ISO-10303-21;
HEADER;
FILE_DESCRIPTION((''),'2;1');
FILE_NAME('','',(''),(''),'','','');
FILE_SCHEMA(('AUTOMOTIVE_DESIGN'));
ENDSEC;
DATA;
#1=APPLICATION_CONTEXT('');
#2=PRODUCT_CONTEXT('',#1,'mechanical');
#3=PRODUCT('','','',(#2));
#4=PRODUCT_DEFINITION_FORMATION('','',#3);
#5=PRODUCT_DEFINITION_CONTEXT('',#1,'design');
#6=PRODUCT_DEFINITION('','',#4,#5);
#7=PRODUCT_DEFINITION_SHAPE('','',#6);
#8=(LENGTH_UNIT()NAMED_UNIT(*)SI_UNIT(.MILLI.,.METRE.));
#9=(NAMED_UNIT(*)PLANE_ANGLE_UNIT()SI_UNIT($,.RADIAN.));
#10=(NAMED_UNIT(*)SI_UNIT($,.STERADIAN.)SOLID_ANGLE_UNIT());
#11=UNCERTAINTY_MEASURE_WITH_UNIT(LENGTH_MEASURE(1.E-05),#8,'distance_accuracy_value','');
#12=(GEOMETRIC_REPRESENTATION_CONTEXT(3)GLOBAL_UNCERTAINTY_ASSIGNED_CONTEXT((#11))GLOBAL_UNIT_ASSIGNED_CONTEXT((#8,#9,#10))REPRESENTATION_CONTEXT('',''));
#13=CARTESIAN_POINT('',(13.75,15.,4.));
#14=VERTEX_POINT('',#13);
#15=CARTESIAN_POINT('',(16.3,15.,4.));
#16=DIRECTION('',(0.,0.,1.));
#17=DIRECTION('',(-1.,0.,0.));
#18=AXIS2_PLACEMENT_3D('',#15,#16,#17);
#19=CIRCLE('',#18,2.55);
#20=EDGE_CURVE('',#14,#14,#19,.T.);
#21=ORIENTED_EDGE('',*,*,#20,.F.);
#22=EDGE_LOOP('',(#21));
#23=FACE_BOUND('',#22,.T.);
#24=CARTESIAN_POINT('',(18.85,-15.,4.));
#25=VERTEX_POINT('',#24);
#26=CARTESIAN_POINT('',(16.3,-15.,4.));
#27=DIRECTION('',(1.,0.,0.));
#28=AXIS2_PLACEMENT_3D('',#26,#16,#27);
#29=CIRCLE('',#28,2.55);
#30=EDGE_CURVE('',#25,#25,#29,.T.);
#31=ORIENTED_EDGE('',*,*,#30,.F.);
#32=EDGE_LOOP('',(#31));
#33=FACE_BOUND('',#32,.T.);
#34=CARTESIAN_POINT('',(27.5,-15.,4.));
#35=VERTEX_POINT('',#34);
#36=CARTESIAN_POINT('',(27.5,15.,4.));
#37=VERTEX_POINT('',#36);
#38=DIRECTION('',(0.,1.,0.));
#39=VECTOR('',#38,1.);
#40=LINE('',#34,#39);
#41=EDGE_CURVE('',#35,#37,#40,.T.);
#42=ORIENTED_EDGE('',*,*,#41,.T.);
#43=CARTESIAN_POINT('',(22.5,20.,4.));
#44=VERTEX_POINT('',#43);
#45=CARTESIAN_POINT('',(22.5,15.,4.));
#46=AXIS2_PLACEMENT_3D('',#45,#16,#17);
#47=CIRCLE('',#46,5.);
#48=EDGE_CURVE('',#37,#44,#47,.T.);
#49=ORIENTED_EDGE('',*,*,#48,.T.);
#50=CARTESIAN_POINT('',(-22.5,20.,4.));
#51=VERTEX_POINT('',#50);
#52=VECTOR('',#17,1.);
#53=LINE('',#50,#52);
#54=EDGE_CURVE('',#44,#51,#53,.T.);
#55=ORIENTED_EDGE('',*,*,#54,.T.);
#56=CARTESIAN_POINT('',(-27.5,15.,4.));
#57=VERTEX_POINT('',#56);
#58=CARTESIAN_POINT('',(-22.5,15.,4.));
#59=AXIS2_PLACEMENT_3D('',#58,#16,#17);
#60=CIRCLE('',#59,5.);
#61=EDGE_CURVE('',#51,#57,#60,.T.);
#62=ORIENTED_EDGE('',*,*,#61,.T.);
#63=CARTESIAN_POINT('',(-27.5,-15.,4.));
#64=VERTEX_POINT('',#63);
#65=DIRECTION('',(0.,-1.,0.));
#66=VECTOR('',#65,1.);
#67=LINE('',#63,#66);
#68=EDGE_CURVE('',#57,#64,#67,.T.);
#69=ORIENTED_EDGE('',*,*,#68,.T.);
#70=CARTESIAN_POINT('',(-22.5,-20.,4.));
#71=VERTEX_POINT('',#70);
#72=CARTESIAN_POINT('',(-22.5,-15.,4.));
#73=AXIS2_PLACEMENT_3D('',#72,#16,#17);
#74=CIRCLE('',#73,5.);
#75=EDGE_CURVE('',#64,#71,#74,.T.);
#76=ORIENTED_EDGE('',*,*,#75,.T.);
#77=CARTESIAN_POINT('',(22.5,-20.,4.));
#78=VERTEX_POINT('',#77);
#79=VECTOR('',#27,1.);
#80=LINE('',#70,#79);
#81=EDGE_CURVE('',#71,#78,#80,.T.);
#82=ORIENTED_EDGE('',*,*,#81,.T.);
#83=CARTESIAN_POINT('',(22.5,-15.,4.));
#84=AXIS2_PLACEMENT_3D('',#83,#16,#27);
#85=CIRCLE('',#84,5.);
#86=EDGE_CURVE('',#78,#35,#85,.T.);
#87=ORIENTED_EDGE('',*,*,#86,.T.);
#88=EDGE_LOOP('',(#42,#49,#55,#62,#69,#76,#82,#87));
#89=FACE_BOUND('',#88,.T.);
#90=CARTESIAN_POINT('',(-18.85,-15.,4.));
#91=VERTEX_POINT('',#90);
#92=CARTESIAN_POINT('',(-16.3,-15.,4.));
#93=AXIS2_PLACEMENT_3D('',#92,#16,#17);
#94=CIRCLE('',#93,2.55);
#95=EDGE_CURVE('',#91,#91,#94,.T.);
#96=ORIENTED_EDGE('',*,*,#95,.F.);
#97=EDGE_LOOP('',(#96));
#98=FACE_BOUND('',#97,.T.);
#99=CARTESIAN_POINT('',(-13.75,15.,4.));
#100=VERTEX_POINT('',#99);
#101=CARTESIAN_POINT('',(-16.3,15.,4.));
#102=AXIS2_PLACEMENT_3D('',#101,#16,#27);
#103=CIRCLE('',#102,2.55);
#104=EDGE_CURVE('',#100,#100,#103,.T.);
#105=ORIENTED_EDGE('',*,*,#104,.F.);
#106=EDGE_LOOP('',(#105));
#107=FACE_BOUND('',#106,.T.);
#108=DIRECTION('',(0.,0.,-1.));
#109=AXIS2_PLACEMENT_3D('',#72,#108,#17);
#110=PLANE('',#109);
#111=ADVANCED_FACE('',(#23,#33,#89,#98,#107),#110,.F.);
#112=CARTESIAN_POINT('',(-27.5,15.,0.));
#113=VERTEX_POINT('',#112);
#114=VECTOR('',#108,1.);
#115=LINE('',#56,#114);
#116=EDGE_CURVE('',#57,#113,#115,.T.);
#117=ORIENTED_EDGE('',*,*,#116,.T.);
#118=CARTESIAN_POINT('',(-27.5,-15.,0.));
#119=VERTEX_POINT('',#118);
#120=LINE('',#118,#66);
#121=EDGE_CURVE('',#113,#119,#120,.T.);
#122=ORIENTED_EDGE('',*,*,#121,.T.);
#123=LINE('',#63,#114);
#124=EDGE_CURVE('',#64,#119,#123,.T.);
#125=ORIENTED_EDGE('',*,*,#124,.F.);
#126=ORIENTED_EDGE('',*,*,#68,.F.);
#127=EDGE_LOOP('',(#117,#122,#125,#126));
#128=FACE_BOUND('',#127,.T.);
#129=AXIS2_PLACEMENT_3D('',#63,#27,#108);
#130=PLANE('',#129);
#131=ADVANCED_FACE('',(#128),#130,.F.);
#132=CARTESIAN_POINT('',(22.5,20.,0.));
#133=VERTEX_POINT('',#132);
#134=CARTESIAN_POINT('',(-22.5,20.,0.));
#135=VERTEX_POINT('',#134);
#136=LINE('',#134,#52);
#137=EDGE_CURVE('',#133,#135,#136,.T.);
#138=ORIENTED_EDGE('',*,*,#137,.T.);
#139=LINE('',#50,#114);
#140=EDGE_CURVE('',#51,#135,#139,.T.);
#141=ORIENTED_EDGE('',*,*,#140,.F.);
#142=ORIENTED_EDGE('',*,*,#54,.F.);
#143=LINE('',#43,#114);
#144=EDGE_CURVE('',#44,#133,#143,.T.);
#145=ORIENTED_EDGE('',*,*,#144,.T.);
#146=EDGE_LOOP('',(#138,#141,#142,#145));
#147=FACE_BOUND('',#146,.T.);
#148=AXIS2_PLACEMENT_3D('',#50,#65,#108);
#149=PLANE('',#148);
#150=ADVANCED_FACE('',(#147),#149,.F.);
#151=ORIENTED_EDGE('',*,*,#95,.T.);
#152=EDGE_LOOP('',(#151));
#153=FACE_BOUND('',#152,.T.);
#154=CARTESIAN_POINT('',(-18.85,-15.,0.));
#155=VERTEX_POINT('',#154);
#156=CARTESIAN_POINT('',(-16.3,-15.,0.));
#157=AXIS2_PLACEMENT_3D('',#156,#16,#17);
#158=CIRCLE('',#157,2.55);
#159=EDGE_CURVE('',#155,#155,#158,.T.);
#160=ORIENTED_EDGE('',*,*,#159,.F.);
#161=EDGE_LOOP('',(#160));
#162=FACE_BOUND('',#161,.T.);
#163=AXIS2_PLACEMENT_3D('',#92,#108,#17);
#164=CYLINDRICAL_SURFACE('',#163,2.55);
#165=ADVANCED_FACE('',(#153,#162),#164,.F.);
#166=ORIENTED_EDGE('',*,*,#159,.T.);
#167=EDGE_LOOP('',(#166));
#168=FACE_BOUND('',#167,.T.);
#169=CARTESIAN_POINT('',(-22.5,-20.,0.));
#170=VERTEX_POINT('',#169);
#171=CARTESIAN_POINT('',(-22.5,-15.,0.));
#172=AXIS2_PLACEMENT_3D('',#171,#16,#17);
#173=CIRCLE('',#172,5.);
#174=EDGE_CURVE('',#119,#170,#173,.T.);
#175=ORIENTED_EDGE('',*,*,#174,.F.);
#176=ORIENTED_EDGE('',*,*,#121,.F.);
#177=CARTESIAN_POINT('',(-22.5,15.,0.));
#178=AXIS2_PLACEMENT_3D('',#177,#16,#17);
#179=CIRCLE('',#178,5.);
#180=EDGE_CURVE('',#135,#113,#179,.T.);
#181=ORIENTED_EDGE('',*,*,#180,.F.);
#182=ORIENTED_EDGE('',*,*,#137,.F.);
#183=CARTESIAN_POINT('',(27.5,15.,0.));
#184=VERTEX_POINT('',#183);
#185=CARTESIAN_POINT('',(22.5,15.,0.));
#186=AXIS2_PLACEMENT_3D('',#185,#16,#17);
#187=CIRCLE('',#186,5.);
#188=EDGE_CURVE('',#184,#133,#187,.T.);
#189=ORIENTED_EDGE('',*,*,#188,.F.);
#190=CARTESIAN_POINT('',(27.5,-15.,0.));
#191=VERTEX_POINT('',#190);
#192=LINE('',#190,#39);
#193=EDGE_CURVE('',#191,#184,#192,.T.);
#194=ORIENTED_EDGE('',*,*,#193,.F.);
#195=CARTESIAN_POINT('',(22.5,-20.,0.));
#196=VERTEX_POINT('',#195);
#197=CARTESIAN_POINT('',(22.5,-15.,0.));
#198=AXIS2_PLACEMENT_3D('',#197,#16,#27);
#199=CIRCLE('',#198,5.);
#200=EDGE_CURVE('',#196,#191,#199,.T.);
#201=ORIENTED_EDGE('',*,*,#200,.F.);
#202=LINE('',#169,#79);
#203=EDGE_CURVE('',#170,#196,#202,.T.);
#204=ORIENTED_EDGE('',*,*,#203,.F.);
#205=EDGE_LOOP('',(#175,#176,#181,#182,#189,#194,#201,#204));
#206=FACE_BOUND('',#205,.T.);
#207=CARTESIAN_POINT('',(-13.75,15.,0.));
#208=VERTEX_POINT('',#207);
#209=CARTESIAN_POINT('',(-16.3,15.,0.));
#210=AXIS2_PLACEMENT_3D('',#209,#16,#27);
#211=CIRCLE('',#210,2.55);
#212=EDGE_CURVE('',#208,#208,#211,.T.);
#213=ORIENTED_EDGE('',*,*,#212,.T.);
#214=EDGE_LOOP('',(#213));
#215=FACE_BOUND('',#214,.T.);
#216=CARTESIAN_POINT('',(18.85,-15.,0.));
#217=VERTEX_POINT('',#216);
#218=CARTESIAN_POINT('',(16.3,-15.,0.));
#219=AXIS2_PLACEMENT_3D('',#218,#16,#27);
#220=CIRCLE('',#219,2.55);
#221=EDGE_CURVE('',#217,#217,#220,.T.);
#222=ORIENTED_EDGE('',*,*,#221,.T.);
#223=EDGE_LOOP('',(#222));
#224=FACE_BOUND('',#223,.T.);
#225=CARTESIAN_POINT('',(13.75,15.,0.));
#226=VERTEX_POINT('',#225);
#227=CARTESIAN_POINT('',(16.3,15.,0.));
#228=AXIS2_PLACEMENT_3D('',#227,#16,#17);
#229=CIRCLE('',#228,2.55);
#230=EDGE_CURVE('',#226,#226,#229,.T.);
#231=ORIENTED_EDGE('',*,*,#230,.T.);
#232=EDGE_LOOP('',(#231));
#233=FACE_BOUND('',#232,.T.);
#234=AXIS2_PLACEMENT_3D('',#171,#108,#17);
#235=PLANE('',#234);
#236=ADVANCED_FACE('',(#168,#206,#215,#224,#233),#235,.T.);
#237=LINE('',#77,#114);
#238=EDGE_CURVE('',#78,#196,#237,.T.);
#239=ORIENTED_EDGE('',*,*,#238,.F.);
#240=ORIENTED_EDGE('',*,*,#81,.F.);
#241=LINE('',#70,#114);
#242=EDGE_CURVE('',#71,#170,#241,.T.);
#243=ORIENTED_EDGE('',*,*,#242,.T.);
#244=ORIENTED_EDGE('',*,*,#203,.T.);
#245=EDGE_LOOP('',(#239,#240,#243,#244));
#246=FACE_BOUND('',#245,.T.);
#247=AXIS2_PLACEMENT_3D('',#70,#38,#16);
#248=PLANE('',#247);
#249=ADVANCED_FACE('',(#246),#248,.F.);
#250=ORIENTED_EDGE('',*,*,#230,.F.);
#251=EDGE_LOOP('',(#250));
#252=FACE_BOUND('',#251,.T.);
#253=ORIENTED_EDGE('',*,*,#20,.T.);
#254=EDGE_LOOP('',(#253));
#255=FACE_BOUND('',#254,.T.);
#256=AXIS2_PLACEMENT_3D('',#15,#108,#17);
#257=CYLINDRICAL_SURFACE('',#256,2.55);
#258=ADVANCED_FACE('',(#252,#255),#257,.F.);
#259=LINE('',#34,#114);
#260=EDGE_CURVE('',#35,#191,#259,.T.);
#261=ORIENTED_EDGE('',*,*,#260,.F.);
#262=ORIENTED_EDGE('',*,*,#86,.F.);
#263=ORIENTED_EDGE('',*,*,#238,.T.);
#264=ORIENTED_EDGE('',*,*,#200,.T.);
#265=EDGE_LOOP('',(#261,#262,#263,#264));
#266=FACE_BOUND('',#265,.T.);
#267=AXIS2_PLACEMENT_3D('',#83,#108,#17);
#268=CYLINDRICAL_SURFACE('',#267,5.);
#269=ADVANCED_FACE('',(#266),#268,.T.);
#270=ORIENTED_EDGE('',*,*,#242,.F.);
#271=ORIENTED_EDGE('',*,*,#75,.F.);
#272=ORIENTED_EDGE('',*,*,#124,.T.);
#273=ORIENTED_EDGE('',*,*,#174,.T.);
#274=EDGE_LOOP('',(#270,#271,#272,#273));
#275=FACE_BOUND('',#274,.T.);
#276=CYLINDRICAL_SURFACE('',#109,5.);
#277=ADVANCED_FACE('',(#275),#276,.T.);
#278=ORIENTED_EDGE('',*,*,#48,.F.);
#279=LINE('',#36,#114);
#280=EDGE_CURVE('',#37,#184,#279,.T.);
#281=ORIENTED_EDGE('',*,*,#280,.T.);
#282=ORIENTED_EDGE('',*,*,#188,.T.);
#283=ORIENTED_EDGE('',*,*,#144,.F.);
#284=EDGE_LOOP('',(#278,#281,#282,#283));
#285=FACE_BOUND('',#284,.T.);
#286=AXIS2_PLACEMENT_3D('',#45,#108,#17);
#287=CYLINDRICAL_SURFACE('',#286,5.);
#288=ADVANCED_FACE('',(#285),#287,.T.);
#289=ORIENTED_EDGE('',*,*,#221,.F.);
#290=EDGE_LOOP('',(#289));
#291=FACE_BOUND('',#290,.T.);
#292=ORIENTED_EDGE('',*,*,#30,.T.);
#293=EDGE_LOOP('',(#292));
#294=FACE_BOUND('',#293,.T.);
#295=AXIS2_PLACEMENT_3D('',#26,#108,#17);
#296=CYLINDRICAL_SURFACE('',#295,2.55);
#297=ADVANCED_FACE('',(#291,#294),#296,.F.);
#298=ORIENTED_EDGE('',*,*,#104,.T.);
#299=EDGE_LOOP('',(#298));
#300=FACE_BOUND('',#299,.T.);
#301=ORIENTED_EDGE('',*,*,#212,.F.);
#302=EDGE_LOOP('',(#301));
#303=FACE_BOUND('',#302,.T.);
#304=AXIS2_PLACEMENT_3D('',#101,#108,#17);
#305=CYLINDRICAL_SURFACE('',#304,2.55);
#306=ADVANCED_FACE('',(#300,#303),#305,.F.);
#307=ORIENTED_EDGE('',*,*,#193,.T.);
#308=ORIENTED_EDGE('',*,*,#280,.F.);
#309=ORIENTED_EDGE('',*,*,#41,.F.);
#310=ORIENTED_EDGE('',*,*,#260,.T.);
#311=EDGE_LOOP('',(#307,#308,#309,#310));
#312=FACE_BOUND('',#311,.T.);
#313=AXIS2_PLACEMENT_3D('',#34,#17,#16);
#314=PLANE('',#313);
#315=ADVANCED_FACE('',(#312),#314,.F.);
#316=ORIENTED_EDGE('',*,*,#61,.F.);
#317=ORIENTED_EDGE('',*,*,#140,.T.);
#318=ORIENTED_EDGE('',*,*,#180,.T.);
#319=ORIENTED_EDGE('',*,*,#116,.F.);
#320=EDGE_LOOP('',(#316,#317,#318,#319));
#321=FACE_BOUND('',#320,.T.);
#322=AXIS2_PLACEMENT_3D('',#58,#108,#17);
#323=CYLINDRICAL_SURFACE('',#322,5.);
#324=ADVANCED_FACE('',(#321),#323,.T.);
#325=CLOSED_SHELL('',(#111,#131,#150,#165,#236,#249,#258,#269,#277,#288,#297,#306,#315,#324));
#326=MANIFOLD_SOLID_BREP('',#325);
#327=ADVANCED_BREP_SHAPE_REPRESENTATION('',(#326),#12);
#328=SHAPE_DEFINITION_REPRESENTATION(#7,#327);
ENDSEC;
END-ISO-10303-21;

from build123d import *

# Parameters (mm, degrees)
SKETCH2_R           = 2.55
BOSS_EXTRUDE1_DEPTH = 4


with BuildPart() as part:
    # Sketch2 → Boss-Extrude1 (new body)
    with BuildSketch(Plane.XY):
        with BuildLine():
            Line((-22.5, -20), (22.5, -20))
            ThreePointArc((22.5, -20), (26.035533906, -18.535533906), (27.5, -15))
            Line((27.5, -15), (27.5, 15))
            ThreePointArc((27.5, 15), (26.035533906, 18.535533906), (22.5, 20))
            Line((22.5, 20), (-22.5, 20))
            ThreePointArc((-22.5, 20), (-26.035533906, 18.535533906), (-27.5, 15))
            Line((-27.5, 15), (-27.5, -15))
            ThreePointArc((-27.5, -15), (-26.035533906, -18.535533906), (-22.5, -20))
        make_face()
        with Locations((-16.3, 15)):
            Circle(SKETCH2_R, mode=Mode.SUBTRACT)
        with Locations(Location((-16.3, -15, 0), (0, 0, 180))):
            Circle(SKETCH2_R, mode=Mode.SUBTRACT)
        with Locations((16.3, -15)):
            Circle(SKETCH2_R, mode=Mode.SUBTRACT)
        with Locations(Location((16.3, 15, 0), (0, 0, 180))):
            Circle(SKETCH2_R, mode=Mode.SUBTRACT)
    extrude(amount=BOSS_EXTRUDE1_DEPTH)


solid = part.part
